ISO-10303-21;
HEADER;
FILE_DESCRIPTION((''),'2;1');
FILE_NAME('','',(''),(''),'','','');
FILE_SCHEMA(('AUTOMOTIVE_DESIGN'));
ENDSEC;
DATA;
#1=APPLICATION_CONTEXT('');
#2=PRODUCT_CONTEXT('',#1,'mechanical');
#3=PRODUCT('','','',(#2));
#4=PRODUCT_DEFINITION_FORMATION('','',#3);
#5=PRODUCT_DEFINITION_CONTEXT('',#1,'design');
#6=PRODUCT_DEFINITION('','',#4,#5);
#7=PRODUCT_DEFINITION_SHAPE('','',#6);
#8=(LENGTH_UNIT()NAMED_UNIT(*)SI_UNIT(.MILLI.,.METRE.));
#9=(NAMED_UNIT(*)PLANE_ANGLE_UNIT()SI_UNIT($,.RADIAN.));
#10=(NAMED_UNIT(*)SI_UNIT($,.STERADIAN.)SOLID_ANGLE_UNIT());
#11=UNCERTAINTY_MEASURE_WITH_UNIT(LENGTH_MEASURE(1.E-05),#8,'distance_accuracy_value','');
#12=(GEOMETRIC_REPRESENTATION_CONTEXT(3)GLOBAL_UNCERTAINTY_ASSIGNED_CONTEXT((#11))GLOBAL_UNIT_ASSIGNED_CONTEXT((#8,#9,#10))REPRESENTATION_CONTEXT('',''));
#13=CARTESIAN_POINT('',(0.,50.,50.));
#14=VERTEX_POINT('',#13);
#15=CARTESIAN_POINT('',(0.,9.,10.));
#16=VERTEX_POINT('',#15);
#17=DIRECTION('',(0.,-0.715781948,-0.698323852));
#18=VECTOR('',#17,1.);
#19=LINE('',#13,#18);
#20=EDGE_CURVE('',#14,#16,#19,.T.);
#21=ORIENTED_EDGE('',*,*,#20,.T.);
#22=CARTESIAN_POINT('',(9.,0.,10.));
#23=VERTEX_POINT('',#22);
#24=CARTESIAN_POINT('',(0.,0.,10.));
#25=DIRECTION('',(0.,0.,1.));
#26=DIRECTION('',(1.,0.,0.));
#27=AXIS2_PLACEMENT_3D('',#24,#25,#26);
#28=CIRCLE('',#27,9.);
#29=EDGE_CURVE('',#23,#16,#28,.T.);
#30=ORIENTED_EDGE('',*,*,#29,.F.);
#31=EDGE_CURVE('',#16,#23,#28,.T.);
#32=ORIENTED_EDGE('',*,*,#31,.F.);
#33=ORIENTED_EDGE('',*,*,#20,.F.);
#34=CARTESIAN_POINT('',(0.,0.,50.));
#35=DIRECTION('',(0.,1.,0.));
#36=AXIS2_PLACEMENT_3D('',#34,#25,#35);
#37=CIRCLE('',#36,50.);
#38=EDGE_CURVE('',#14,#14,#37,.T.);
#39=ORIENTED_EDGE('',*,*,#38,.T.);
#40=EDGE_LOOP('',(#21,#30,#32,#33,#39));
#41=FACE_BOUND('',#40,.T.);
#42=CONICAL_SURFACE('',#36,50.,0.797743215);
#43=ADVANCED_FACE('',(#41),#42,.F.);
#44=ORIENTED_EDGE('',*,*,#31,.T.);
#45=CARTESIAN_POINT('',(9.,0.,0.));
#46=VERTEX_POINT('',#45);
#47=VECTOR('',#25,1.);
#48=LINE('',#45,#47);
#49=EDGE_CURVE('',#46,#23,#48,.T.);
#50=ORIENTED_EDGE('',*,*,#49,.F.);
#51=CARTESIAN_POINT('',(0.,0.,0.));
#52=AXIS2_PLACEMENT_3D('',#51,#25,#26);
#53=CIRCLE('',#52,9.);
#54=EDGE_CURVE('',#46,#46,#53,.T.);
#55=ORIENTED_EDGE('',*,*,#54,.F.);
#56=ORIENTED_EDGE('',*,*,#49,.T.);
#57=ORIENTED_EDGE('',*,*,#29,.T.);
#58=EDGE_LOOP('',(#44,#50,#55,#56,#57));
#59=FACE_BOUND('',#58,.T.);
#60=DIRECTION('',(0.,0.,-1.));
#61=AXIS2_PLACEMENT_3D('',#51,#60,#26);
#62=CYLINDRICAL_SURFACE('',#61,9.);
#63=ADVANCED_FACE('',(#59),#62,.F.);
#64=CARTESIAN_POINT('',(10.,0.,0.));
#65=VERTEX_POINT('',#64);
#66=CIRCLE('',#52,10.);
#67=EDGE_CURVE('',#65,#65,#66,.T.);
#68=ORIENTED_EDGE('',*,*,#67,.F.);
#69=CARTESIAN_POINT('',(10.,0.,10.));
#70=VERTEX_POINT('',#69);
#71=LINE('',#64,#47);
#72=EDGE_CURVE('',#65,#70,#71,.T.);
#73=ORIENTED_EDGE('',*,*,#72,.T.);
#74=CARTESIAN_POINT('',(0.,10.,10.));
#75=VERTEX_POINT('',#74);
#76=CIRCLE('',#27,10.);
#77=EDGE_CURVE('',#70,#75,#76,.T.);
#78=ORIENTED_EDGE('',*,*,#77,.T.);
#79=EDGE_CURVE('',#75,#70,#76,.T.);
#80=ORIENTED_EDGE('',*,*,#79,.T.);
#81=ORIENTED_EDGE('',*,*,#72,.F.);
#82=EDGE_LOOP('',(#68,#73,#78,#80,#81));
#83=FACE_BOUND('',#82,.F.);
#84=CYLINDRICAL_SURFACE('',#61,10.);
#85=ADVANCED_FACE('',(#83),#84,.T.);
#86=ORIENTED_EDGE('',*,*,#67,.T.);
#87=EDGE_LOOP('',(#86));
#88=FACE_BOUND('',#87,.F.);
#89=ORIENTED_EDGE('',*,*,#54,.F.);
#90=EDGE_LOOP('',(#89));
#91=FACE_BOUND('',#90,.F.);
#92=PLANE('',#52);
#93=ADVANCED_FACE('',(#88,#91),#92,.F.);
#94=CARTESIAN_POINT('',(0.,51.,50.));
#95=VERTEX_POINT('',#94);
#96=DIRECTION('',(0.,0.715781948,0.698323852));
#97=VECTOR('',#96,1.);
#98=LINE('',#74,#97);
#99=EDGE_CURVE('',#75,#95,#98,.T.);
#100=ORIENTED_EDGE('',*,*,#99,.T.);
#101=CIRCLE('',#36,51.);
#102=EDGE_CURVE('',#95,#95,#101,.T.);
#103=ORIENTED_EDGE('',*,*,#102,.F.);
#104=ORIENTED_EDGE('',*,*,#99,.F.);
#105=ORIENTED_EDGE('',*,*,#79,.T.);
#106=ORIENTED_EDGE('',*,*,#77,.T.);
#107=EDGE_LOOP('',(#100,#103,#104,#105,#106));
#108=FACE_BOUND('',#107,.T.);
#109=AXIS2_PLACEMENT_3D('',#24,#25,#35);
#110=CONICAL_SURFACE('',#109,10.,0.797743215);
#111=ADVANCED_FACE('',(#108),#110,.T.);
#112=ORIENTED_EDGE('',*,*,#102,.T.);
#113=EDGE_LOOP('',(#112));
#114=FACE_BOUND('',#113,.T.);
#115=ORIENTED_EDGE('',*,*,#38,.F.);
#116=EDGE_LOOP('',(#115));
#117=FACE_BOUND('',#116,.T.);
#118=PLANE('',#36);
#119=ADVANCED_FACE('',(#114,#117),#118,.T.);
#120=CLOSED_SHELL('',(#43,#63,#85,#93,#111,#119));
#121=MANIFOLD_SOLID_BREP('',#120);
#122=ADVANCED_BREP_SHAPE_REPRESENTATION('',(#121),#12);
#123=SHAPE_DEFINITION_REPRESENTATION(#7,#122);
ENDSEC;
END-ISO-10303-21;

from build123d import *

# Parameters (mm, degrees)
F0_R     = 10
F0_R_2   = 9
F1_DEPTH = 10


with BuildPart() as f1:
    # F0 (on Top) → F1 (new body)
    with BuildSketch(Plane.XY):
        Circle(F0_R)
        Circle(F0_R_2, mode=Mode.SUBTRACT)
    extrude(amount=F1_DEPTH)

    # F7 (on Right) → F8 (revolve)
    with BuildSketch(Plane.YZ):
        Polygon((10, 10), (51, 50), (50, 50), (9, 10), align=None)
    revolve(axis=Axis((0, 0, 50), (0, 0, 1)))


solid = f1.part
